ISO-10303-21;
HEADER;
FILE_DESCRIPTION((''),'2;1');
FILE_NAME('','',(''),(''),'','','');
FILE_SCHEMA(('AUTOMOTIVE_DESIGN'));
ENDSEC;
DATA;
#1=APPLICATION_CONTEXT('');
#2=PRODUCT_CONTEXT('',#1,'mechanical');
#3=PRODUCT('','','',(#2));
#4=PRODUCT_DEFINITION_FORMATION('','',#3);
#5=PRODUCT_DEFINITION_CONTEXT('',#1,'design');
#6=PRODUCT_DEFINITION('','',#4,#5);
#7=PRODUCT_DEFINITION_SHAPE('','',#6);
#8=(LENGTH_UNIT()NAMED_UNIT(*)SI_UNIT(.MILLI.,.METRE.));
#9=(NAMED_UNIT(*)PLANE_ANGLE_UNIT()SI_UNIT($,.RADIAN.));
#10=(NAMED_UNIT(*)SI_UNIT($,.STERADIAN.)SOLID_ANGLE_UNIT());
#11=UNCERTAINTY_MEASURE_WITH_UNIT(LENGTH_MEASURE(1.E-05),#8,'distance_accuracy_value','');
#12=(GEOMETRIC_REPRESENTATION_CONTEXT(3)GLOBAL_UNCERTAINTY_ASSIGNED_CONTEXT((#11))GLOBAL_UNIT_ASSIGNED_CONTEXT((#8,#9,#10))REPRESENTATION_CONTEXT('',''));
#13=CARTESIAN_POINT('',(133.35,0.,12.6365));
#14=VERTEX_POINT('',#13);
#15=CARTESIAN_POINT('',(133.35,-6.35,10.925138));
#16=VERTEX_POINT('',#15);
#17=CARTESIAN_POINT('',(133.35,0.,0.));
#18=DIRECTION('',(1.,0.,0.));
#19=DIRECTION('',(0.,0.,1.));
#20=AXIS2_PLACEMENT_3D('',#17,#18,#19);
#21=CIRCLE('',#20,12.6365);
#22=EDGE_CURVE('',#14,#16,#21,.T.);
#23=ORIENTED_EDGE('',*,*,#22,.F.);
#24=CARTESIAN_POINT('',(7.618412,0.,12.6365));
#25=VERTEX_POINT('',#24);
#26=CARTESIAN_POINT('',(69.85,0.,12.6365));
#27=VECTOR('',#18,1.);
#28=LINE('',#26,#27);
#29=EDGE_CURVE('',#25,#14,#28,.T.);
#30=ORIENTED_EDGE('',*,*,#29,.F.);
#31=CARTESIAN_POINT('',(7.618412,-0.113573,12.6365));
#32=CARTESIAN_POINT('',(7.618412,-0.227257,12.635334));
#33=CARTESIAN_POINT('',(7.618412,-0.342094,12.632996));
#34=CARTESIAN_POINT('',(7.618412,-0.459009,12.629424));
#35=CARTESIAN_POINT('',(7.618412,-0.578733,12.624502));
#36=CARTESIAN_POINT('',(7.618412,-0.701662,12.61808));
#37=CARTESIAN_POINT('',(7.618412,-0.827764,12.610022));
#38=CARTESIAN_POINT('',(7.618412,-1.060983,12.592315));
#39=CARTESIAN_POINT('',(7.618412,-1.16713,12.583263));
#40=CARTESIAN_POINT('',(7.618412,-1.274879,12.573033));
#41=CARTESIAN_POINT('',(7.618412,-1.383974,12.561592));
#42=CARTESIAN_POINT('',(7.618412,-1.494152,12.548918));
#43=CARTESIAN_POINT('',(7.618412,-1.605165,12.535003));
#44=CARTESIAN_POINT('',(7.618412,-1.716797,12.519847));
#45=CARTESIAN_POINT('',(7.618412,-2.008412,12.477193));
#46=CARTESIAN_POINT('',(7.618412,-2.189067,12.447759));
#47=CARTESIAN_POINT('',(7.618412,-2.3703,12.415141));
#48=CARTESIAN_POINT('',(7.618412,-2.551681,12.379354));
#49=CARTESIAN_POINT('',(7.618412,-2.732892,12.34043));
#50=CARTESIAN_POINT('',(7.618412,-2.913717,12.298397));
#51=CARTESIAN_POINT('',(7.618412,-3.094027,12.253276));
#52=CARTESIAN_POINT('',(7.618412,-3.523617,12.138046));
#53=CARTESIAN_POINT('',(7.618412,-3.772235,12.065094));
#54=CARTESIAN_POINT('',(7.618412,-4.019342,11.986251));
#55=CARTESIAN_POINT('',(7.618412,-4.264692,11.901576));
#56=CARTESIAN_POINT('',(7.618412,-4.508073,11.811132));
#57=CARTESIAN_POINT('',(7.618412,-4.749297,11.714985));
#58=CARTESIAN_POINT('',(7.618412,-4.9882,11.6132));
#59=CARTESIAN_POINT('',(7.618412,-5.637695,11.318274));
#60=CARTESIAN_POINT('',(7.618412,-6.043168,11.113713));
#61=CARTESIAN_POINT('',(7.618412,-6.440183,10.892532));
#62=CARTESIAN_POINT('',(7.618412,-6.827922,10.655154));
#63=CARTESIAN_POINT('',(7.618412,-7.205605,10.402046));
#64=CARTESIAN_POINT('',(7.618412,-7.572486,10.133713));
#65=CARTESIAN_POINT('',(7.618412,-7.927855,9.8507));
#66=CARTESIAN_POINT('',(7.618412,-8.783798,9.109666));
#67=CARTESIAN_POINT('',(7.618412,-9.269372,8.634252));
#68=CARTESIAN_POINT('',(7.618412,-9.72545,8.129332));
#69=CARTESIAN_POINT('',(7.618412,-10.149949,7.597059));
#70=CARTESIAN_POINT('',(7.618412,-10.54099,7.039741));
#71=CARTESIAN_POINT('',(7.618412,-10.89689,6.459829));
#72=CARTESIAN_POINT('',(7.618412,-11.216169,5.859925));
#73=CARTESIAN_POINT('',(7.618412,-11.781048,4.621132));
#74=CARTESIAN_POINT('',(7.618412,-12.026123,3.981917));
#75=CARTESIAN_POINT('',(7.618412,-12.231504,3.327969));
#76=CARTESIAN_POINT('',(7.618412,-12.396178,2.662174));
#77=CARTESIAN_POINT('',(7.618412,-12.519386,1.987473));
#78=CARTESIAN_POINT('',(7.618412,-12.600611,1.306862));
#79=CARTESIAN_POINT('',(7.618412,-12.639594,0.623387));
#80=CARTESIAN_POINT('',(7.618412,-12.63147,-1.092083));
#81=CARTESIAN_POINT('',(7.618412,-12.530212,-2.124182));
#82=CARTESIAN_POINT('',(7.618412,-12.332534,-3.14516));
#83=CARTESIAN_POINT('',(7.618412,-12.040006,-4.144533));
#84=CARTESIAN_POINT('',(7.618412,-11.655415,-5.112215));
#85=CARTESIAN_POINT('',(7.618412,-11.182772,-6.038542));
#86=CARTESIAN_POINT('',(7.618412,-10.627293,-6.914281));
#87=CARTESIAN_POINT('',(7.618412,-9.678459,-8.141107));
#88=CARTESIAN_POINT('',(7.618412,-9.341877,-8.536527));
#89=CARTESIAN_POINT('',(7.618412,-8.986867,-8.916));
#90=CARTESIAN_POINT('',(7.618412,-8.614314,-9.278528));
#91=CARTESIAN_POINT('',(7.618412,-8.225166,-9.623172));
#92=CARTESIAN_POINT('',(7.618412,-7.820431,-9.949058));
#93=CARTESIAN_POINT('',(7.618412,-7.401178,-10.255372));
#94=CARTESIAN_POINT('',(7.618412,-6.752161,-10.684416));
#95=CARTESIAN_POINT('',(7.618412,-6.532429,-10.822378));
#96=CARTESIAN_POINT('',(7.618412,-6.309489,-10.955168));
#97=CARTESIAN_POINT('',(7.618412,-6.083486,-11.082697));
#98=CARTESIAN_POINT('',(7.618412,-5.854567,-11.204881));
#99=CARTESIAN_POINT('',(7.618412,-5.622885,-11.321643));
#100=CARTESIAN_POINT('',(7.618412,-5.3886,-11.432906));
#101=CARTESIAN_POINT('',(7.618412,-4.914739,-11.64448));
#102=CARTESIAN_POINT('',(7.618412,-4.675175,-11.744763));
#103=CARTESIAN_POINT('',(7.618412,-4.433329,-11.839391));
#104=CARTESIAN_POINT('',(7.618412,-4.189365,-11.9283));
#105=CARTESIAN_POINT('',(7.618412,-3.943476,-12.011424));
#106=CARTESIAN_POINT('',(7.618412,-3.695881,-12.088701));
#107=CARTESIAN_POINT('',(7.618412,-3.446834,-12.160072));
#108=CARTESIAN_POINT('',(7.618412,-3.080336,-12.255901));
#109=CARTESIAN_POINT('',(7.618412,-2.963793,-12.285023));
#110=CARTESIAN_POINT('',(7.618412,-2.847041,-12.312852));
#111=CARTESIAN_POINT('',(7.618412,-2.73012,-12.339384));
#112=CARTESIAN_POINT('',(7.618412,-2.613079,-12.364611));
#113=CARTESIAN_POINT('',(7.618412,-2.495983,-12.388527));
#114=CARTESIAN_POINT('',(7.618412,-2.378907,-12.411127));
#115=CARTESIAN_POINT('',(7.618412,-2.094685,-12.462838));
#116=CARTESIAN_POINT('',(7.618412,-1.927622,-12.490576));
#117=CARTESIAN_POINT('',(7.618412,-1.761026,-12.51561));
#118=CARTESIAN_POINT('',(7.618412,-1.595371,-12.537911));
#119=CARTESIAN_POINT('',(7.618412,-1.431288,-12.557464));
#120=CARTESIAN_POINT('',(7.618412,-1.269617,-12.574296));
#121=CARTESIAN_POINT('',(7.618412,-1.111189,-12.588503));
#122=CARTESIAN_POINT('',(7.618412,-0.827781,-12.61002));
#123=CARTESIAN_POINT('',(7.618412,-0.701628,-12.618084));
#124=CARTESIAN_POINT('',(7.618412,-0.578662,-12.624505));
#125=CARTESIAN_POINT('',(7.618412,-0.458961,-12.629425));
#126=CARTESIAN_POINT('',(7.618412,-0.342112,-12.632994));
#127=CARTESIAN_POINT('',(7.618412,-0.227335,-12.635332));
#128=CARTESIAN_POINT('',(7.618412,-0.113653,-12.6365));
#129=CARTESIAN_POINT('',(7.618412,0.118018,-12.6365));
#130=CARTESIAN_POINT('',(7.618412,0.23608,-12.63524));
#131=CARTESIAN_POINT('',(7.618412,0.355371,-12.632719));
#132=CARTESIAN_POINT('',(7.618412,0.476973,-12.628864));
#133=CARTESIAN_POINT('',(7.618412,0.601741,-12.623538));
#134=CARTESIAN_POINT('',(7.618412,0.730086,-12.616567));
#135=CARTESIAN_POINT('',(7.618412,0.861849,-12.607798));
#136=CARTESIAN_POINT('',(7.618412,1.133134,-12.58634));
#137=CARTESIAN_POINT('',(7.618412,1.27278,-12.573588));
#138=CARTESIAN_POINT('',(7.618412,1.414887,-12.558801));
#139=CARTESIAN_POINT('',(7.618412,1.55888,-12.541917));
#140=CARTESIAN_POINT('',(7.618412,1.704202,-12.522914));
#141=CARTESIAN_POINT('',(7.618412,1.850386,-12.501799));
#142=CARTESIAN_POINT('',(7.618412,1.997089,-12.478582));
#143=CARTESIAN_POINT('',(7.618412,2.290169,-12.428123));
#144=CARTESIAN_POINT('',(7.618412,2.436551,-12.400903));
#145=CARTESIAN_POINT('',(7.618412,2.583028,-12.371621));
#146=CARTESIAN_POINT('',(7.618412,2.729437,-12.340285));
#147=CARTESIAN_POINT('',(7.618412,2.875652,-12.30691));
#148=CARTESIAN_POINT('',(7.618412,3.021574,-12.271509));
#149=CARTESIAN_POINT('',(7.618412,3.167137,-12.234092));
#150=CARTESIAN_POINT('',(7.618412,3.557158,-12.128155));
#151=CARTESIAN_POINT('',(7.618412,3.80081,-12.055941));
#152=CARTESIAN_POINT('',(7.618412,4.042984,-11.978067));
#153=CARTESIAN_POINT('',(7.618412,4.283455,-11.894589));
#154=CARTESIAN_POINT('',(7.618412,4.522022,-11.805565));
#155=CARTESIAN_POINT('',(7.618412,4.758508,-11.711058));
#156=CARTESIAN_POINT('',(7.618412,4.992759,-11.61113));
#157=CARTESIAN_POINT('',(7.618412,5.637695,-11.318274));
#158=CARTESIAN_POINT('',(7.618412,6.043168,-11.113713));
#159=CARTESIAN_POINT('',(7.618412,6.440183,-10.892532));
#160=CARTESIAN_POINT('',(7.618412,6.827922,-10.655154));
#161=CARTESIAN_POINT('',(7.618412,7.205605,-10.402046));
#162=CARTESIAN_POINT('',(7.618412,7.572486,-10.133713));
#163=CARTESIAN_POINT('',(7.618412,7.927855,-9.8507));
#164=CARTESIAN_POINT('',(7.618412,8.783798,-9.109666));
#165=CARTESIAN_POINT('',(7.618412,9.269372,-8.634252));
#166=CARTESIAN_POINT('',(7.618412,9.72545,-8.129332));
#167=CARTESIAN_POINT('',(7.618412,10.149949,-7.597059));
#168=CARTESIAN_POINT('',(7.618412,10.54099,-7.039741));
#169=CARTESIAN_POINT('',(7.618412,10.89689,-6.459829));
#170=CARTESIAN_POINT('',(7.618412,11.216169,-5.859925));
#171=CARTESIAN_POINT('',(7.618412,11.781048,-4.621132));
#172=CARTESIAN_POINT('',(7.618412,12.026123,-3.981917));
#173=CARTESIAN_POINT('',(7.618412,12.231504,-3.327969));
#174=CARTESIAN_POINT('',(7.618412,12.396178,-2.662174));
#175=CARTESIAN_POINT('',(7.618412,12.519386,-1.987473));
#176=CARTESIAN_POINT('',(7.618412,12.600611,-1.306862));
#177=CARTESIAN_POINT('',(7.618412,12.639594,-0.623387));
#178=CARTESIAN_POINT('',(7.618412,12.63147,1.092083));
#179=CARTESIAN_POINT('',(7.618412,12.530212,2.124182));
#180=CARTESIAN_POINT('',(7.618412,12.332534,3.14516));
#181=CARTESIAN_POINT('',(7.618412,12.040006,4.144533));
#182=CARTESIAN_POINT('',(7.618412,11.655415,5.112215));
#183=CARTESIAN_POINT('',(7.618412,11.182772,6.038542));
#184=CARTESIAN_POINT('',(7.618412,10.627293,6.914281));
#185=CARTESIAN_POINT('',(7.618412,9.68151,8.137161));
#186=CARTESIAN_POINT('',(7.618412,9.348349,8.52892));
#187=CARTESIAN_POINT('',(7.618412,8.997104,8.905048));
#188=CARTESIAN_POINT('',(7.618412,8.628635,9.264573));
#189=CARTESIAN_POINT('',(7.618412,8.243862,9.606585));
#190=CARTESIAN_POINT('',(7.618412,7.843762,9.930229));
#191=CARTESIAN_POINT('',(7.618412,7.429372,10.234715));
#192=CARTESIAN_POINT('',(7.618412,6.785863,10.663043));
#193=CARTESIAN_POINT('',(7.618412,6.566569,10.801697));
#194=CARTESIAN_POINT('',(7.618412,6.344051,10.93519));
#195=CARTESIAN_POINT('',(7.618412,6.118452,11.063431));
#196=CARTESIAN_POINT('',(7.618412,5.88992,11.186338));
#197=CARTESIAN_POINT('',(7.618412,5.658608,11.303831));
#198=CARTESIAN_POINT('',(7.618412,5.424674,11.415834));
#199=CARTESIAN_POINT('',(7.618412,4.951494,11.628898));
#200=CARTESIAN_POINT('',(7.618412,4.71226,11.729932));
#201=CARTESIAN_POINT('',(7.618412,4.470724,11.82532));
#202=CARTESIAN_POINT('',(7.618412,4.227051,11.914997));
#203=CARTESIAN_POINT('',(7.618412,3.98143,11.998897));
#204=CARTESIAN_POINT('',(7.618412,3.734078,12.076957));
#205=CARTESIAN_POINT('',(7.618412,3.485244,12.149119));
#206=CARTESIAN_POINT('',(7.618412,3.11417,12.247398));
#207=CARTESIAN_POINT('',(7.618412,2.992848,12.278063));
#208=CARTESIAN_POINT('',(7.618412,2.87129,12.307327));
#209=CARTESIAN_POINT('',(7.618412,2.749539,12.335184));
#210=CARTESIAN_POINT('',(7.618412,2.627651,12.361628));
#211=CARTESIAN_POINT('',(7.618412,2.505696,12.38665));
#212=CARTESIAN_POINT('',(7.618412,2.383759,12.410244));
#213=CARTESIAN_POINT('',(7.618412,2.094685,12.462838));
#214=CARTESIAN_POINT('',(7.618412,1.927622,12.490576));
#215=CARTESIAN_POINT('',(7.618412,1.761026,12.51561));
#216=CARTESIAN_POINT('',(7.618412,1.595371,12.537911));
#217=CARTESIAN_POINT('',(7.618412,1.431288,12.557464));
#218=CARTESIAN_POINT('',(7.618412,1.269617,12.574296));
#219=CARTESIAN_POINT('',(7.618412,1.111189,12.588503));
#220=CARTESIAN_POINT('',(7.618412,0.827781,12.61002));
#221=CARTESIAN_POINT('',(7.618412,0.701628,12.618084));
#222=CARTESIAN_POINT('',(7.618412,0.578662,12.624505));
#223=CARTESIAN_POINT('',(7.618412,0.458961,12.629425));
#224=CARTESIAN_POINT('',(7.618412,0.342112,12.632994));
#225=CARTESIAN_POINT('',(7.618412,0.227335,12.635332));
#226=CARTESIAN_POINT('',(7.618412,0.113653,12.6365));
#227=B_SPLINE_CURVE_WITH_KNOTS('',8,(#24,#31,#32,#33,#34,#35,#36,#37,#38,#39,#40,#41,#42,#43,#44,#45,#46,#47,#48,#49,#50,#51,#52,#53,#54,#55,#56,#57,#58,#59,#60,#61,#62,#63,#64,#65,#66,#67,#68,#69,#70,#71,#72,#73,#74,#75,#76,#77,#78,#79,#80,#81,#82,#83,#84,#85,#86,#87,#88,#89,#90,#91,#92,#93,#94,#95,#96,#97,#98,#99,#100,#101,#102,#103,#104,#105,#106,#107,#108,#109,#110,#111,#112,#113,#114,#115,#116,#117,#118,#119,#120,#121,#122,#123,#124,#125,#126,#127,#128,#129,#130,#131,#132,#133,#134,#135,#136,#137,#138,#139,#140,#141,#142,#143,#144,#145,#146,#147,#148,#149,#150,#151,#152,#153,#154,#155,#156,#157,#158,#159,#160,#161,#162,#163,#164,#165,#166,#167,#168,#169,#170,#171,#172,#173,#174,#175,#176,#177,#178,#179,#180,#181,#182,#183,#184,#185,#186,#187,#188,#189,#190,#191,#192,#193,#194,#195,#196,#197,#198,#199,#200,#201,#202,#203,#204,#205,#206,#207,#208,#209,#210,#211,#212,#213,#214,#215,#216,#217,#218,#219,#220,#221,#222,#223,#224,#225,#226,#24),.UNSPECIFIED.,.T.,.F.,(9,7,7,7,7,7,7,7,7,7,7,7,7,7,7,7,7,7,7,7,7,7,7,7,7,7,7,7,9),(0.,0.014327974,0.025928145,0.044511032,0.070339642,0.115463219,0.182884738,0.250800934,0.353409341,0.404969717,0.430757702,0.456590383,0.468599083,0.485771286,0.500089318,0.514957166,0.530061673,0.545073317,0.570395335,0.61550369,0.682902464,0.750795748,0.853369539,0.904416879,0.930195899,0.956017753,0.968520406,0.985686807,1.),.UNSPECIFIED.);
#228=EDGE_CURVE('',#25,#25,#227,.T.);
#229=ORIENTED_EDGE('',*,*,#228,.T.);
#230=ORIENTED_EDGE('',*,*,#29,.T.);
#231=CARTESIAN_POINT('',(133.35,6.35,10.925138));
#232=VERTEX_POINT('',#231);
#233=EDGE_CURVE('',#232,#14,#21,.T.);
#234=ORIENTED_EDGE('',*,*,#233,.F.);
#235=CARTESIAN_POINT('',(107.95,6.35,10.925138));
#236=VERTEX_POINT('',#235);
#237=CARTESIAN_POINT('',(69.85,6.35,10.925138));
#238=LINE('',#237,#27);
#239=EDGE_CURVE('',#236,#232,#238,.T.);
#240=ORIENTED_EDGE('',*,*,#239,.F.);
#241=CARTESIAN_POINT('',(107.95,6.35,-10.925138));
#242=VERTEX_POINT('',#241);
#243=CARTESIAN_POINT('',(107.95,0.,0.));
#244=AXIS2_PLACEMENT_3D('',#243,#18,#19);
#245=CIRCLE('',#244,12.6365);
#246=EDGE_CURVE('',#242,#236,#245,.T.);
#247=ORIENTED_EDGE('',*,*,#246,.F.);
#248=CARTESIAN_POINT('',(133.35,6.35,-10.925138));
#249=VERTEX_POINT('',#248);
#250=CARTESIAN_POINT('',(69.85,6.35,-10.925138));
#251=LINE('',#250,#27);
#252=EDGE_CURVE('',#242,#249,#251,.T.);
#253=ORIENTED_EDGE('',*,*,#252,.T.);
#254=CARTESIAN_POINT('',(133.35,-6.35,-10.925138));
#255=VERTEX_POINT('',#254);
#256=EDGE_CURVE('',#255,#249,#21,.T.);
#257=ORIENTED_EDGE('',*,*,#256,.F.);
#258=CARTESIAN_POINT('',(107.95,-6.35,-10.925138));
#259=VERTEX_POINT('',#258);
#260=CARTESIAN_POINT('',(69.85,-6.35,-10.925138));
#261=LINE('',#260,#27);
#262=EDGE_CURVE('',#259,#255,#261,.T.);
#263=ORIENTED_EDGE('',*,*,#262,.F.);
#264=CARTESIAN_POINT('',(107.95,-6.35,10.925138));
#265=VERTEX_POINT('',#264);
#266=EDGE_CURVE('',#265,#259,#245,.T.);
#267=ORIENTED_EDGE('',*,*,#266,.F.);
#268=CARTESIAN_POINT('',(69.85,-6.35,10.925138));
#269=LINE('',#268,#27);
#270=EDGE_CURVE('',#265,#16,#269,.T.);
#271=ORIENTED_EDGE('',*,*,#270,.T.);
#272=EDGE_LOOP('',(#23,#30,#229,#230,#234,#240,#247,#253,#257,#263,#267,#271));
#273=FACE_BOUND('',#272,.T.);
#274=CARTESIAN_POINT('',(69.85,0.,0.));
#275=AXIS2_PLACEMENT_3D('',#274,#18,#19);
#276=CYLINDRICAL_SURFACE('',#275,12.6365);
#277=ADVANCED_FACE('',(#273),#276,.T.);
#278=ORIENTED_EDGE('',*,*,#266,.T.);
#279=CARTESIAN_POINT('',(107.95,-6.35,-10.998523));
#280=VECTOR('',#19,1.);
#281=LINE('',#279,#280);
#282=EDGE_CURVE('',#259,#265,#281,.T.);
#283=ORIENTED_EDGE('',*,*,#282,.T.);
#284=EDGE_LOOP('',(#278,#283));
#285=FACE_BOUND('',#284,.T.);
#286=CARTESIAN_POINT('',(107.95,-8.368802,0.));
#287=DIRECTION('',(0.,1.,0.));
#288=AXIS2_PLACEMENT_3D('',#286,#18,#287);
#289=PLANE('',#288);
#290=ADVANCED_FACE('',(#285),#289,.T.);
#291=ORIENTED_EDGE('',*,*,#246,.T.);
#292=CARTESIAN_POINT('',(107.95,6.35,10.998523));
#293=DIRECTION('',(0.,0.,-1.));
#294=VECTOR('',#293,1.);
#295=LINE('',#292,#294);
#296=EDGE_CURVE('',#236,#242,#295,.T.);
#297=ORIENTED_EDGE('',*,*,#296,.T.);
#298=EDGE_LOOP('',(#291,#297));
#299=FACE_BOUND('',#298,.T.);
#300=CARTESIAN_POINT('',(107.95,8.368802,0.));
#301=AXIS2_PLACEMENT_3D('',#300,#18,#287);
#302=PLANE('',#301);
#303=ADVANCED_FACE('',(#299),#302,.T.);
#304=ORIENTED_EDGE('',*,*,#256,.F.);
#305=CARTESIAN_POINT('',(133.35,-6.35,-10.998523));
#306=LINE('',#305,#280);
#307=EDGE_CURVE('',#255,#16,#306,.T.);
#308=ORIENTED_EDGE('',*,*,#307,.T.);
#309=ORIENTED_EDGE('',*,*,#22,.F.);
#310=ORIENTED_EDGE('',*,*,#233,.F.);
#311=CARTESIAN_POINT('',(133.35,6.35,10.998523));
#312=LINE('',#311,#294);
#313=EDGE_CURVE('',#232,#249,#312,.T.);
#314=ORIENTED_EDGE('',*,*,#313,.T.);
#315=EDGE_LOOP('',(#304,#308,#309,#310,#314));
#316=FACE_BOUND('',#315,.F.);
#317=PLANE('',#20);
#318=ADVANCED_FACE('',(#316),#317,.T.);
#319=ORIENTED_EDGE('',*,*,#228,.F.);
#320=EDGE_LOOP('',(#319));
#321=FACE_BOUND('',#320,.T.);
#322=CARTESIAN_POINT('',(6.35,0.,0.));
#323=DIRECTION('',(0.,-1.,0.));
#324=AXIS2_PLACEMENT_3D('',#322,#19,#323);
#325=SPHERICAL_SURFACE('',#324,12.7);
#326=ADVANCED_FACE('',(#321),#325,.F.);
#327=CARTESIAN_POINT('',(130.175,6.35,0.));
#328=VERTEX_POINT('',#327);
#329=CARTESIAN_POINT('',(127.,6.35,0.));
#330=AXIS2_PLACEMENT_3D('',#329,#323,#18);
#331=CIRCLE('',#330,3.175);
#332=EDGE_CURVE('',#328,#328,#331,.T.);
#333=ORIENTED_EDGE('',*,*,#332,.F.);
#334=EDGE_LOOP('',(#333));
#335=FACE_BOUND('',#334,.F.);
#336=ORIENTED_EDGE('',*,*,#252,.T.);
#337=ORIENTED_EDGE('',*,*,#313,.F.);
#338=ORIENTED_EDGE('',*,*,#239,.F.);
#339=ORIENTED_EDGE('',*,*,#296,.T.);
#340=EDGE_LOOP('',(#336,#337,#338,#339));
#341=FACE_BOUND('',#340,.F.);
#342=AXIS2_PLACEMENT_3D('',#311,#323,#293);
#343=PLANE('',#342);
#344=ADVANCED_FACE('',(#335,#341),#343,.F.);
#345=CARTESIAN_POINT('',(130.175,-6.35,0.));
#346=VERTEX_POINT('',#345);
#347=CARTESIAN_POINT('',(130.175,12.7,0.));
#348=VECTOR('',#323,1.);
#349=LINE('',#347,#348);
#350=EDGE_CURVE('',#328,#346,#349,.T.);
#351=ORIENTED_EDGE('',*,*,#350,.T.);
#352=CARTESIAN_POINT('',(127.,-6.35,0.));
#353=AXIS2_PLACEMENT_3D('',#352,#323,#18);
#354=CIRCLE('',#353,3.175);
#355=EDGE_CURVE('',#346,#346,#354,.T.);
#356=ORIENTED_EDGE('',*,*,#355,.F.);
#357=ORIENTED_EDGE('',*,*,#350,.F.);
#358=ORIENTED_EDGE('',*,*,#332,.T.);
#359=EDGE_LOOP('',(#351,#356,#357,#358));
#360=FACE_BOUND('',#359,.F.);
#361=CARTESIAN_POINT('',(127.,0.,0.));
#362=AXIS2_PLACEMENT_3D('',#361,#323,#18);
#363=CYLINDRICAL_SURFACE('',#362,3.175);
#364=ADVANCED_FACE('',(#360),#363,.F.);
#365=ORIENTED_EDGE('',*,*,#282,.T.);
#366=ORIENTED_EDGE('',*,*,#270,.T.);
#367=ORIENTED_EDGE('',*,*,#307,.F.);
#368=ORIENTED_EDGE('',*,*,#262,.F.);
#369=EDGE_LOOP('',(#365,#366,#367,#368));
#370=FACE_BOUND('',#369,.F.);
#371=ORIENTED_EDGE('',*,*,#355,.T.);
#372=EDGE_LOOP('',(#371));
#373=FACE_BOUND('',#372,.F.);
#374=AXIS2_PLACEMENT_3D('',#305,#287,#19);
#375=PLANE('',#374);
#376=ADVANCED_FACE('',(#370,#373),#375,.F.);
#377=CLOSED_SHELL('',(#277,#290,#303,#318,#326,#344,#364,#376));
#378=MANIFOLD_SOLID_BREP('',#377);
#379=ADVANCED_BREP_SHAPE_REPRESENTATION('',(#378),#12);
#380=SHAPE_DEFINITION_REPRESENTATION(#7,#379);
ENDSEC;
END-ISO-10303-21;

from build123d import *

# Parameters (mm, degrees)
F0_W     = 127
F0_H     = 12.6365
F3_DEPTH = 25.4
F4_R     = 3.175
F5_DEPTH = 12.7


with BuildPart() as f1:
    # F0 (on Front) → F1 (revolve)
    with BuildSketch(Plane.XZ):
        with Locations((69.85, 6.31825)):
            Rectangle(F0_W, F0_H)
    revolve(axis=Axis((-3.592643, 0, 0), (1, 0, 0)))

    # F2 (on face) → F3 (cut)
    with BuildSketch(Plane.YZ.offset(133.35)):
        with BuildLine():
            ThreePointArc((6.35, -10.998523), (12.7, 0), (6.35, 10.998523))
            Line((6.35, 10.998523), (6.35, -10.998523))
        make_face()
        with BuildLine():
            Line((-6.35, -10.998523), (-6.35, 10.998523))
            ThreePointArc((-6.35, 10.998523), (-12.7, 0), (-6.35, -10.998523))
        make_face()
    extrude(amount=-F3_DEPTH, mode=Mode.SUBTRACT)

    # F4 (on Front) → F5 (cut, symmetric)
    with BuildSketch(Plane.XZ):
        with Locations((127, 0)):
            Circle(F4_R)
    extrude(amount=F5_DEPTH, both=True, mode=Mode.SUBTRACT)

    # F6 (on face) → F7 (revolve, cut)
    with BuildSketch(Plane(origin=(6.35, 0, 0), x_dir=(0, -1, 0), z_dir=(-1, 0, 0))):
        with BuildLine():
            Line((0, 12.7), (0, -12.7))
            ThreePointArc((0, -12.7), (12.7, 0), (0, 12.7))
        make_face()
    revolve(axis=Axis((6.35, 0, -4.069372), (0, 0, -1)), mode=Mode.SUBTRACT)


solid = f1.part
